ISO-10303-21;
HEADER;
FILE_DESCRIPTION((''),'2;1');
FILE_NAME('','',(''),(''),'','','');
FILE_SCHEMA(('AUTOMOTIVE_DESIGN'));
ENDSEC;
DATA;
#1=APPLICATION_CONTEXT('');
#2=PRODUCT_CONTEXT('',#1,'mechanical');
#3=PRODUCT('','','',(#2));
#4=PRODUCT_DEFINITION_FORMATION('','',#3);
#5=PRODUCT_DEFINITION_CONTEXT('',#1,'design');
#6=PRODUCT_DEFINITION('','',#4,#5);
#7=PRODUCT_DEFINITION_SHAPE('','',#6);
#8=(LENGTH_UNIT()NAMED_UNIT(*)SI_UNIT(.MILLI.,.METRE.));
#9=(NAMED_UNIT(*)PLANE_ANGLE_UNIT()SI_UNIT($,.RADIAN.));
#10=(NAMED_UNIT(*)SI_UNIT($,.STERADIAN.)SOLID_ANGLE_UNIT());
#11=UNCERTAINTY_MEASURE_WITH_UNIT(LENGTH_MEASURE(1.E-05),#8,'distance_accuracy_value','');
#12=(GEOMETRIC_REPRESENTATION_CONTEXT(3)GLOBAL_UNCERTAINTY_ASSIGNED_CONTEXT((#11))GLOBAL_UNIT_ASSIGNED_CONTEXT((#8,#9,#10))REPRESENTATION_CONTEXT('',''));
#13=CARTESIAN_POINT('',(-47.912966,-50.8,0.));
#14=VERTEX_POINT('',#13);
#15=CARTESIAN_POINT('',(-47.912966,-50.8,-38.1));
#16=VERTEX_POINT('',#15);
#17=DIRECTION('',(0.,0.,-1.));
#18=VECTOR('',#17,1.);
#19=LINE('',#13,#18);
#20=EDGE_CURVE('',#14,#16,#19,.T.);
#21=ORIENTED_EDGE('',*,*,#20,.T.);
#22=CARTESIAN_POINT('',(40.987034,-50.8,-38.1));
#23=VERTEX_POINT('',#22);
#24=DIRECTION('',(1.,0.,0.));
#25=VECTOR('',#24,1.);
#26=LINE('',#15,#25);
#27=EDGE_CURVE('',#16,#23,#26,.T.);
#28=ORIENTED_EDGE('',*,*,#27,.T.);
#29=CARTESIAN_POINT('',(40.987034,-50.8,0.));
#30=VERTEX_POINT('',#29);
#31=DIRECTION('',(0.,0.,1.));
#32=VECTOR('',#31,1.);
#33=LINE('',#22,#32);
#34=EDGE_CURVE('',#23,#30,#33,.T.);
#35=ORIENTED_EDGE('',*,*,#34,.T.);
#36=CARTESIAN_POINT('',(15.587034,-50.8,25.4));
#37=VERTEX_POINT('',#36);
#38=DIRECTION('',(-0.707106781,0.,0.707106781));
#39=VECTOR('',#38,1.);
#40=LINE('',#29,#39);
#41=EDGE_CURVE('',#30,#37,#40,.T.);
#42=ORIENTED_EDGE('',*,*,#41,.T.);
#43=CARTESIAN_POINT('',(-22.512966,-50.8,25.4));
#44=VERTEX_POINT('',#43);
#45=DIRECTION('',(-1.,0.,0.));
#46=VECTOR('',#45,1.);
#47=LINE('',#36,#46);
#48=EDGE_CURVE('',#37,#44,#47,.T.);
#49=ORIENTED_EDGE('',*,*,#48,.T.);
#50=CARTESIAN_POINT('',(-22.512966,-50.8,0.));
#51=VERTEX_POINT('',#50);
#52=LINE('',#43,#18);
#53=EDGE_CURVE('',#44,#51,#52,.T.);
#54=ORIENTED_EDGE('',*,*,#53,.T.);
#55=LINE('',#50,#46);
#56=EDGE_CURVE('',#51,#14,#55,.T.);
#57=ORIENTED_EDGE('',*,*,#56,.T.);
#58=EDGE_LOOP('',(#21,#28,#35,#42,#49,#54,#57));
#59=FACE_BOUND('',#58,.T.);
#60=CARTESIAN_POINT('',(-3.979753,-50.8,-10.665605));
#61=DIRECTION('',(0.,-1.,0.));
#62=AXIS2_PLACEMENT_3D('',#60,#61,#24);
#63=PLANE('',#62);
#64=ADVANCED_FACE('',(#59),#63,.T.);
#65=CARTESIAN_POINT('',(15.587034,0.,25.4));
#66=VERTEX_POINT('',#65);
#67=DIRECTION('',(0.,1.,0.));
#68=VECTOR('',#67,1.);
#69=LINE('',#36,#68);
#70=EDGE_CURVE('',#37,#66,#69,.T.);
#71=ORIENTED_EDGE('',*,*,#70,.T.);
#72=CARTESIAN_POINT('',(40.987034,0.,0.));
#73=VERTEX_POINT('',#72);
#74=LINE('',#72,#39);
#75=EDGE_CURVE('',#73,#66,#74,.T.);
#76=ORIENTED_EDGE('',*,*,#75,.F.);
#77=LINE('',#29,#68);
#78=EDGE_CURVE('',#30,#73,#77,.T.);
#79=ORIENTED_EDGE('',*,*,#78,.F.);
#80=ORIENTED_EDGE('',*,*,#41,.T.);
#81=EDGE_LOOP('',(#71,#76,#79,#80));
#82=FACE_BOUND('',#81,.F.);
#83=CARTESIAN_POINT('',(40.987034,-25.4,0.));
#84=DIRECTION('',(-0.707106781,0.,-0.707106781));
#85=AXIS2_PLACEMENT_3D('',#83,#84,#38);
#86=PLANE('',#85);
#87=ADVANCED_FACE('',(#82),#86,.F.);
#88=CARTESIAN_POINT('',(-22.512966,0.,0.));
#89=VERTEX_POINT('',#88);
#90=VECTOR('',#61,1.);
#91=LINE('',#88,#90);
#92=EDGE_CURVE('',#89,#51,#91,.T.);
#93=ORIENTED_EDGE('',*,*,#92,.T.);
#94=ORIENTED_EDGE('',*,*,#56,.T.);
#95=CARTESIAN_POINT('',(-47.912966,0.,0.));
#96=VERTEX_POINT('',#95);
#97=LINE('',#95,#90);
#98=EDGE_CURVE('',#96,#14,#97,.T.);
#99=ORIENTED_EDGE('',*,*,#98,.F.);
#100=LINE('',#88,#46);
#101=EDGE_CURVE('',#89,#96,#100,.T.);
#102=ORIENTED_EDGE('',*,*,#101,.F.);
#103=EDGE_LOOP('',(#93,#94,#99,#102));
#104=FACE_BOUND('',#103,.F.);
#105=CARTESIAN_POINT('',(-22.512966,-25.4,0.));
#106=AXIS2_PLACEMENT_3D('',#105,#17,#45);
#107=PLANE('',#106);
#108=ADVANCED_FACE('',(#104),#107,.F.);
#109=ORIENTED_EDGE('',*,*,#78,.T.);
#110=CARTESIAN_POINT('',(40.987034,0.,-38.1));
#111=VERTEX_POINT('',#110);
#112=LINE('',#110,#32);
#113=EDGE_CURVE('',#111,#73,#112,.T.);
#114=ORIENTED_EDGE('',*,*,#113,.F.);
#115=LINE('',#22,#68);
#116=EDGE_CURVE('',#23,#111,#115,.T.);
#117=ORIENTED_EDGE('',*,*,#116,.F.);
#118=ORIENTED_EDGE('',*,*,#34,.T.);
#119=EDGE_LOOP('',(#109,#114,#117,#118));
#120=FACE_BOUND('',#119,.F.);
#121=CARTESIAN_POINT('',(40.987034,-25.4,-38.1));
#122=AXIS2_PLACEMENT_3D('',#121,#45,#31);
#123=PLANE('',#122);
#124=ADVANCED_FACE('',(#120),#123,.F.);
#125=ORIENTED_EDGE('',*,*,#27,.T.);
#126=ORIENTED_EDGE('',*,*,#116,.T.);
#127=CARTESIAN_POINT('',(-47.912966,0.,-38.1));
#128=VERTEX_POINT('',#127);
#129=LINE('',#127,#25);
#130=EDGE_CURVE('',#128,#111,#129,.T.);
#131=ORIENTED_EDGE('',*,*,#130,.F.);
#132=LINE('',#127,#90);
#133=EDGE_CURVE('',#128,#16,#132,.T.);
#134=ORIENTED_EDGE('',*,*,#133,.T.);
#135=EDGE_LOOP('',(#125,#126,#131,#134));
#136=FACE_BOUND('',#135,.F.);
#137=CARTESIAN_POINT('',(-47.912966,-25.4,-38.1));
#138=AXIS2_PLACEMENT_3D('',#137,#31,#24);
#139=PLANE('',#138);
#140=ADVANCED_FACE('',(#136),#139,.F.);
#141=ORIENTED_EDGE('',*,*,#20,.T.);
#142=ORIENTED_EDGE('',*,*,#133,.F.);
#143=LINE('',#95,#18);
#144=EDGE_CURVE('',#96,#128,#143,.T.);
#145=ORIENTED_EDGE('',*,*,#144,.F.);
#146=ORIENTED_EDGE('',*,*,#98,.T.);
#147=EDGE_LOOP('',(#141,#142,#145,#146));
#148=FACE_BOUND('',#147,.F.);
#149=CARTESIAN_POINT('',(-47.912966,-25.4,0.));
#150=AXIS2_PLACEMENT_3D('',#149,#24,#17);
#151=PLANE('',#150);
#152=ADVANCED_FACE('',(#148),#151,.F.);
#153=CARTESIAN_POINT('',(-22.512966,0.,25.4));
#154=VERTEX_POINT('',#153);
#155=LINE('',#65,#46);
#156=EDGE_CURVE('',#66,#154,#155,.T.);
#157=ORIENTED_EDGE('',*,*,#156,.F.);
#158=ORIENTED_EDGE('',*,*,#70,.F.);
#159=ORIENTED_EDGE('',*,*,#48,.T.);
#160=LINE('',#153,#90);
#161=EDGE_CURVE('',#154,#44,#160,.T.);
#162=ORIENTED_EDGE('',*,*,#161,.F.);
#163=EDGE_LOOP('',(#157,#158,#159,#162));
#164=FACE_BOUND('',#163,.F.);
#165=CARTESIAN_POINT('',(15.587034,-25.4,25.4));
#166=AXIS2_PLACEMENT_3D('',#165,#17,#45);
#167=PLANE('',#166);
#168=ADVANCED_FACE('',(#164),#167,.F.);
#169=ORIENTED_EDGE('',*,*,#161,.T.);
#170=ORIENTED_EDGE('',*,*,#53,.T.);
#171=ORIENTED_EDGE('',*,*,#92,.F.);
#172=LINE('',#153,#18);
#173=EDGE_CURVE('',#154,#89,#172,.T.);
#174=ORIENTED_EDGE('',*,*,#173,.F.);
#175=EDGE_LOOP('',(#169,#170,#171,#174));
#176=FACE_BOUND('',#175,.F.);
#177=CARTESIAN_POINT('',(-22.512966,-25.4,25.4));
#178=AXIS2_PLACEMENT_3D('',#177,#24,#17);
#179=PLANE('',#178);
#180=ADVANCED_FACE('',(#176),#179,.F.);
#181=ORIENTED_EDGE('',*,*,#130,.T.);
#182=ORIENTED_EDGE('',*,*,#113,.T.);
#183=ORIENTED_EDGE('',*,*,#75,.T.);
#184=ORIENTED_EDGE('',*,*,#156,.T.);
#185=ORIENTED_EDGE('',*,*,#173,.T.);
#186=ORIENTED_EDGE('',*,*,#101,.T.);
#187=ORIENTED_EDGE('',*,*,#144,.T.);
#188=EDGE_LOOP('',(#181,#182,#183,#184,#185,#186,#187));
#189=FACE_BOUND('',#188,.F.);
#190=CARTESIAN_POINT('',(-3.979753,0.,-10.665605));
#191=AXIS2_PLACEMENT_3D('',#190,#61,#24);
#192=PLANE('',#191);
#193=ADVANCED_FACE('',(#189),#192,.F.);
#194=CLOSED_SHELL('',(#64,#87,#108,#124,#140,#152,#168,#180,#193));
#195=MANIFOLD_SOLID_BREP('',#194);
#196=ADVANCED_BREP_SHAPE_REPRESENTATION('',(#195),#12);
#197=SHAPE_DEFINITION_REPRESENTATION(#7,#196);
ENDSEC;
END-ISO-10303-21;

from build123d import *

# Parameters (mm, degrees)
F1_DEPTH = 25.4
F2_DEPTH = 25.4


with BuildPart() as f1:
    # F0 (on Front) → F1 (new body)
    with BuildSketch(Plane.XZ):
        Polygon((-47.912966, 0), (-47.912966, -38.1), (40.987034, -38.1), (40.987034, 0), (15.587034, 25.4), (-22.512966, 25.4), (-22.512966, 0), align=None)
    extrude(amount=F1_DEPTH)

    # F1_face (on face) → F2 (join)
    with BuildSketch(Plane(origin=(-1.565265, -25.4, -10.583333), x_dir=(1, 0, 0), z_dir=(0, -1, 0))):
        Polygon((17.152299, 35.983333), (-20.947701, 35.983333), (-20.947701, 10.583333), (-46.347701, 10.583333), (-46.347701, -27.516667), (42.552299, -27.516667), (42.552299, 10.583333), align=None)
    extrude(amount=F2_DEPTH)


solid = f1.part
